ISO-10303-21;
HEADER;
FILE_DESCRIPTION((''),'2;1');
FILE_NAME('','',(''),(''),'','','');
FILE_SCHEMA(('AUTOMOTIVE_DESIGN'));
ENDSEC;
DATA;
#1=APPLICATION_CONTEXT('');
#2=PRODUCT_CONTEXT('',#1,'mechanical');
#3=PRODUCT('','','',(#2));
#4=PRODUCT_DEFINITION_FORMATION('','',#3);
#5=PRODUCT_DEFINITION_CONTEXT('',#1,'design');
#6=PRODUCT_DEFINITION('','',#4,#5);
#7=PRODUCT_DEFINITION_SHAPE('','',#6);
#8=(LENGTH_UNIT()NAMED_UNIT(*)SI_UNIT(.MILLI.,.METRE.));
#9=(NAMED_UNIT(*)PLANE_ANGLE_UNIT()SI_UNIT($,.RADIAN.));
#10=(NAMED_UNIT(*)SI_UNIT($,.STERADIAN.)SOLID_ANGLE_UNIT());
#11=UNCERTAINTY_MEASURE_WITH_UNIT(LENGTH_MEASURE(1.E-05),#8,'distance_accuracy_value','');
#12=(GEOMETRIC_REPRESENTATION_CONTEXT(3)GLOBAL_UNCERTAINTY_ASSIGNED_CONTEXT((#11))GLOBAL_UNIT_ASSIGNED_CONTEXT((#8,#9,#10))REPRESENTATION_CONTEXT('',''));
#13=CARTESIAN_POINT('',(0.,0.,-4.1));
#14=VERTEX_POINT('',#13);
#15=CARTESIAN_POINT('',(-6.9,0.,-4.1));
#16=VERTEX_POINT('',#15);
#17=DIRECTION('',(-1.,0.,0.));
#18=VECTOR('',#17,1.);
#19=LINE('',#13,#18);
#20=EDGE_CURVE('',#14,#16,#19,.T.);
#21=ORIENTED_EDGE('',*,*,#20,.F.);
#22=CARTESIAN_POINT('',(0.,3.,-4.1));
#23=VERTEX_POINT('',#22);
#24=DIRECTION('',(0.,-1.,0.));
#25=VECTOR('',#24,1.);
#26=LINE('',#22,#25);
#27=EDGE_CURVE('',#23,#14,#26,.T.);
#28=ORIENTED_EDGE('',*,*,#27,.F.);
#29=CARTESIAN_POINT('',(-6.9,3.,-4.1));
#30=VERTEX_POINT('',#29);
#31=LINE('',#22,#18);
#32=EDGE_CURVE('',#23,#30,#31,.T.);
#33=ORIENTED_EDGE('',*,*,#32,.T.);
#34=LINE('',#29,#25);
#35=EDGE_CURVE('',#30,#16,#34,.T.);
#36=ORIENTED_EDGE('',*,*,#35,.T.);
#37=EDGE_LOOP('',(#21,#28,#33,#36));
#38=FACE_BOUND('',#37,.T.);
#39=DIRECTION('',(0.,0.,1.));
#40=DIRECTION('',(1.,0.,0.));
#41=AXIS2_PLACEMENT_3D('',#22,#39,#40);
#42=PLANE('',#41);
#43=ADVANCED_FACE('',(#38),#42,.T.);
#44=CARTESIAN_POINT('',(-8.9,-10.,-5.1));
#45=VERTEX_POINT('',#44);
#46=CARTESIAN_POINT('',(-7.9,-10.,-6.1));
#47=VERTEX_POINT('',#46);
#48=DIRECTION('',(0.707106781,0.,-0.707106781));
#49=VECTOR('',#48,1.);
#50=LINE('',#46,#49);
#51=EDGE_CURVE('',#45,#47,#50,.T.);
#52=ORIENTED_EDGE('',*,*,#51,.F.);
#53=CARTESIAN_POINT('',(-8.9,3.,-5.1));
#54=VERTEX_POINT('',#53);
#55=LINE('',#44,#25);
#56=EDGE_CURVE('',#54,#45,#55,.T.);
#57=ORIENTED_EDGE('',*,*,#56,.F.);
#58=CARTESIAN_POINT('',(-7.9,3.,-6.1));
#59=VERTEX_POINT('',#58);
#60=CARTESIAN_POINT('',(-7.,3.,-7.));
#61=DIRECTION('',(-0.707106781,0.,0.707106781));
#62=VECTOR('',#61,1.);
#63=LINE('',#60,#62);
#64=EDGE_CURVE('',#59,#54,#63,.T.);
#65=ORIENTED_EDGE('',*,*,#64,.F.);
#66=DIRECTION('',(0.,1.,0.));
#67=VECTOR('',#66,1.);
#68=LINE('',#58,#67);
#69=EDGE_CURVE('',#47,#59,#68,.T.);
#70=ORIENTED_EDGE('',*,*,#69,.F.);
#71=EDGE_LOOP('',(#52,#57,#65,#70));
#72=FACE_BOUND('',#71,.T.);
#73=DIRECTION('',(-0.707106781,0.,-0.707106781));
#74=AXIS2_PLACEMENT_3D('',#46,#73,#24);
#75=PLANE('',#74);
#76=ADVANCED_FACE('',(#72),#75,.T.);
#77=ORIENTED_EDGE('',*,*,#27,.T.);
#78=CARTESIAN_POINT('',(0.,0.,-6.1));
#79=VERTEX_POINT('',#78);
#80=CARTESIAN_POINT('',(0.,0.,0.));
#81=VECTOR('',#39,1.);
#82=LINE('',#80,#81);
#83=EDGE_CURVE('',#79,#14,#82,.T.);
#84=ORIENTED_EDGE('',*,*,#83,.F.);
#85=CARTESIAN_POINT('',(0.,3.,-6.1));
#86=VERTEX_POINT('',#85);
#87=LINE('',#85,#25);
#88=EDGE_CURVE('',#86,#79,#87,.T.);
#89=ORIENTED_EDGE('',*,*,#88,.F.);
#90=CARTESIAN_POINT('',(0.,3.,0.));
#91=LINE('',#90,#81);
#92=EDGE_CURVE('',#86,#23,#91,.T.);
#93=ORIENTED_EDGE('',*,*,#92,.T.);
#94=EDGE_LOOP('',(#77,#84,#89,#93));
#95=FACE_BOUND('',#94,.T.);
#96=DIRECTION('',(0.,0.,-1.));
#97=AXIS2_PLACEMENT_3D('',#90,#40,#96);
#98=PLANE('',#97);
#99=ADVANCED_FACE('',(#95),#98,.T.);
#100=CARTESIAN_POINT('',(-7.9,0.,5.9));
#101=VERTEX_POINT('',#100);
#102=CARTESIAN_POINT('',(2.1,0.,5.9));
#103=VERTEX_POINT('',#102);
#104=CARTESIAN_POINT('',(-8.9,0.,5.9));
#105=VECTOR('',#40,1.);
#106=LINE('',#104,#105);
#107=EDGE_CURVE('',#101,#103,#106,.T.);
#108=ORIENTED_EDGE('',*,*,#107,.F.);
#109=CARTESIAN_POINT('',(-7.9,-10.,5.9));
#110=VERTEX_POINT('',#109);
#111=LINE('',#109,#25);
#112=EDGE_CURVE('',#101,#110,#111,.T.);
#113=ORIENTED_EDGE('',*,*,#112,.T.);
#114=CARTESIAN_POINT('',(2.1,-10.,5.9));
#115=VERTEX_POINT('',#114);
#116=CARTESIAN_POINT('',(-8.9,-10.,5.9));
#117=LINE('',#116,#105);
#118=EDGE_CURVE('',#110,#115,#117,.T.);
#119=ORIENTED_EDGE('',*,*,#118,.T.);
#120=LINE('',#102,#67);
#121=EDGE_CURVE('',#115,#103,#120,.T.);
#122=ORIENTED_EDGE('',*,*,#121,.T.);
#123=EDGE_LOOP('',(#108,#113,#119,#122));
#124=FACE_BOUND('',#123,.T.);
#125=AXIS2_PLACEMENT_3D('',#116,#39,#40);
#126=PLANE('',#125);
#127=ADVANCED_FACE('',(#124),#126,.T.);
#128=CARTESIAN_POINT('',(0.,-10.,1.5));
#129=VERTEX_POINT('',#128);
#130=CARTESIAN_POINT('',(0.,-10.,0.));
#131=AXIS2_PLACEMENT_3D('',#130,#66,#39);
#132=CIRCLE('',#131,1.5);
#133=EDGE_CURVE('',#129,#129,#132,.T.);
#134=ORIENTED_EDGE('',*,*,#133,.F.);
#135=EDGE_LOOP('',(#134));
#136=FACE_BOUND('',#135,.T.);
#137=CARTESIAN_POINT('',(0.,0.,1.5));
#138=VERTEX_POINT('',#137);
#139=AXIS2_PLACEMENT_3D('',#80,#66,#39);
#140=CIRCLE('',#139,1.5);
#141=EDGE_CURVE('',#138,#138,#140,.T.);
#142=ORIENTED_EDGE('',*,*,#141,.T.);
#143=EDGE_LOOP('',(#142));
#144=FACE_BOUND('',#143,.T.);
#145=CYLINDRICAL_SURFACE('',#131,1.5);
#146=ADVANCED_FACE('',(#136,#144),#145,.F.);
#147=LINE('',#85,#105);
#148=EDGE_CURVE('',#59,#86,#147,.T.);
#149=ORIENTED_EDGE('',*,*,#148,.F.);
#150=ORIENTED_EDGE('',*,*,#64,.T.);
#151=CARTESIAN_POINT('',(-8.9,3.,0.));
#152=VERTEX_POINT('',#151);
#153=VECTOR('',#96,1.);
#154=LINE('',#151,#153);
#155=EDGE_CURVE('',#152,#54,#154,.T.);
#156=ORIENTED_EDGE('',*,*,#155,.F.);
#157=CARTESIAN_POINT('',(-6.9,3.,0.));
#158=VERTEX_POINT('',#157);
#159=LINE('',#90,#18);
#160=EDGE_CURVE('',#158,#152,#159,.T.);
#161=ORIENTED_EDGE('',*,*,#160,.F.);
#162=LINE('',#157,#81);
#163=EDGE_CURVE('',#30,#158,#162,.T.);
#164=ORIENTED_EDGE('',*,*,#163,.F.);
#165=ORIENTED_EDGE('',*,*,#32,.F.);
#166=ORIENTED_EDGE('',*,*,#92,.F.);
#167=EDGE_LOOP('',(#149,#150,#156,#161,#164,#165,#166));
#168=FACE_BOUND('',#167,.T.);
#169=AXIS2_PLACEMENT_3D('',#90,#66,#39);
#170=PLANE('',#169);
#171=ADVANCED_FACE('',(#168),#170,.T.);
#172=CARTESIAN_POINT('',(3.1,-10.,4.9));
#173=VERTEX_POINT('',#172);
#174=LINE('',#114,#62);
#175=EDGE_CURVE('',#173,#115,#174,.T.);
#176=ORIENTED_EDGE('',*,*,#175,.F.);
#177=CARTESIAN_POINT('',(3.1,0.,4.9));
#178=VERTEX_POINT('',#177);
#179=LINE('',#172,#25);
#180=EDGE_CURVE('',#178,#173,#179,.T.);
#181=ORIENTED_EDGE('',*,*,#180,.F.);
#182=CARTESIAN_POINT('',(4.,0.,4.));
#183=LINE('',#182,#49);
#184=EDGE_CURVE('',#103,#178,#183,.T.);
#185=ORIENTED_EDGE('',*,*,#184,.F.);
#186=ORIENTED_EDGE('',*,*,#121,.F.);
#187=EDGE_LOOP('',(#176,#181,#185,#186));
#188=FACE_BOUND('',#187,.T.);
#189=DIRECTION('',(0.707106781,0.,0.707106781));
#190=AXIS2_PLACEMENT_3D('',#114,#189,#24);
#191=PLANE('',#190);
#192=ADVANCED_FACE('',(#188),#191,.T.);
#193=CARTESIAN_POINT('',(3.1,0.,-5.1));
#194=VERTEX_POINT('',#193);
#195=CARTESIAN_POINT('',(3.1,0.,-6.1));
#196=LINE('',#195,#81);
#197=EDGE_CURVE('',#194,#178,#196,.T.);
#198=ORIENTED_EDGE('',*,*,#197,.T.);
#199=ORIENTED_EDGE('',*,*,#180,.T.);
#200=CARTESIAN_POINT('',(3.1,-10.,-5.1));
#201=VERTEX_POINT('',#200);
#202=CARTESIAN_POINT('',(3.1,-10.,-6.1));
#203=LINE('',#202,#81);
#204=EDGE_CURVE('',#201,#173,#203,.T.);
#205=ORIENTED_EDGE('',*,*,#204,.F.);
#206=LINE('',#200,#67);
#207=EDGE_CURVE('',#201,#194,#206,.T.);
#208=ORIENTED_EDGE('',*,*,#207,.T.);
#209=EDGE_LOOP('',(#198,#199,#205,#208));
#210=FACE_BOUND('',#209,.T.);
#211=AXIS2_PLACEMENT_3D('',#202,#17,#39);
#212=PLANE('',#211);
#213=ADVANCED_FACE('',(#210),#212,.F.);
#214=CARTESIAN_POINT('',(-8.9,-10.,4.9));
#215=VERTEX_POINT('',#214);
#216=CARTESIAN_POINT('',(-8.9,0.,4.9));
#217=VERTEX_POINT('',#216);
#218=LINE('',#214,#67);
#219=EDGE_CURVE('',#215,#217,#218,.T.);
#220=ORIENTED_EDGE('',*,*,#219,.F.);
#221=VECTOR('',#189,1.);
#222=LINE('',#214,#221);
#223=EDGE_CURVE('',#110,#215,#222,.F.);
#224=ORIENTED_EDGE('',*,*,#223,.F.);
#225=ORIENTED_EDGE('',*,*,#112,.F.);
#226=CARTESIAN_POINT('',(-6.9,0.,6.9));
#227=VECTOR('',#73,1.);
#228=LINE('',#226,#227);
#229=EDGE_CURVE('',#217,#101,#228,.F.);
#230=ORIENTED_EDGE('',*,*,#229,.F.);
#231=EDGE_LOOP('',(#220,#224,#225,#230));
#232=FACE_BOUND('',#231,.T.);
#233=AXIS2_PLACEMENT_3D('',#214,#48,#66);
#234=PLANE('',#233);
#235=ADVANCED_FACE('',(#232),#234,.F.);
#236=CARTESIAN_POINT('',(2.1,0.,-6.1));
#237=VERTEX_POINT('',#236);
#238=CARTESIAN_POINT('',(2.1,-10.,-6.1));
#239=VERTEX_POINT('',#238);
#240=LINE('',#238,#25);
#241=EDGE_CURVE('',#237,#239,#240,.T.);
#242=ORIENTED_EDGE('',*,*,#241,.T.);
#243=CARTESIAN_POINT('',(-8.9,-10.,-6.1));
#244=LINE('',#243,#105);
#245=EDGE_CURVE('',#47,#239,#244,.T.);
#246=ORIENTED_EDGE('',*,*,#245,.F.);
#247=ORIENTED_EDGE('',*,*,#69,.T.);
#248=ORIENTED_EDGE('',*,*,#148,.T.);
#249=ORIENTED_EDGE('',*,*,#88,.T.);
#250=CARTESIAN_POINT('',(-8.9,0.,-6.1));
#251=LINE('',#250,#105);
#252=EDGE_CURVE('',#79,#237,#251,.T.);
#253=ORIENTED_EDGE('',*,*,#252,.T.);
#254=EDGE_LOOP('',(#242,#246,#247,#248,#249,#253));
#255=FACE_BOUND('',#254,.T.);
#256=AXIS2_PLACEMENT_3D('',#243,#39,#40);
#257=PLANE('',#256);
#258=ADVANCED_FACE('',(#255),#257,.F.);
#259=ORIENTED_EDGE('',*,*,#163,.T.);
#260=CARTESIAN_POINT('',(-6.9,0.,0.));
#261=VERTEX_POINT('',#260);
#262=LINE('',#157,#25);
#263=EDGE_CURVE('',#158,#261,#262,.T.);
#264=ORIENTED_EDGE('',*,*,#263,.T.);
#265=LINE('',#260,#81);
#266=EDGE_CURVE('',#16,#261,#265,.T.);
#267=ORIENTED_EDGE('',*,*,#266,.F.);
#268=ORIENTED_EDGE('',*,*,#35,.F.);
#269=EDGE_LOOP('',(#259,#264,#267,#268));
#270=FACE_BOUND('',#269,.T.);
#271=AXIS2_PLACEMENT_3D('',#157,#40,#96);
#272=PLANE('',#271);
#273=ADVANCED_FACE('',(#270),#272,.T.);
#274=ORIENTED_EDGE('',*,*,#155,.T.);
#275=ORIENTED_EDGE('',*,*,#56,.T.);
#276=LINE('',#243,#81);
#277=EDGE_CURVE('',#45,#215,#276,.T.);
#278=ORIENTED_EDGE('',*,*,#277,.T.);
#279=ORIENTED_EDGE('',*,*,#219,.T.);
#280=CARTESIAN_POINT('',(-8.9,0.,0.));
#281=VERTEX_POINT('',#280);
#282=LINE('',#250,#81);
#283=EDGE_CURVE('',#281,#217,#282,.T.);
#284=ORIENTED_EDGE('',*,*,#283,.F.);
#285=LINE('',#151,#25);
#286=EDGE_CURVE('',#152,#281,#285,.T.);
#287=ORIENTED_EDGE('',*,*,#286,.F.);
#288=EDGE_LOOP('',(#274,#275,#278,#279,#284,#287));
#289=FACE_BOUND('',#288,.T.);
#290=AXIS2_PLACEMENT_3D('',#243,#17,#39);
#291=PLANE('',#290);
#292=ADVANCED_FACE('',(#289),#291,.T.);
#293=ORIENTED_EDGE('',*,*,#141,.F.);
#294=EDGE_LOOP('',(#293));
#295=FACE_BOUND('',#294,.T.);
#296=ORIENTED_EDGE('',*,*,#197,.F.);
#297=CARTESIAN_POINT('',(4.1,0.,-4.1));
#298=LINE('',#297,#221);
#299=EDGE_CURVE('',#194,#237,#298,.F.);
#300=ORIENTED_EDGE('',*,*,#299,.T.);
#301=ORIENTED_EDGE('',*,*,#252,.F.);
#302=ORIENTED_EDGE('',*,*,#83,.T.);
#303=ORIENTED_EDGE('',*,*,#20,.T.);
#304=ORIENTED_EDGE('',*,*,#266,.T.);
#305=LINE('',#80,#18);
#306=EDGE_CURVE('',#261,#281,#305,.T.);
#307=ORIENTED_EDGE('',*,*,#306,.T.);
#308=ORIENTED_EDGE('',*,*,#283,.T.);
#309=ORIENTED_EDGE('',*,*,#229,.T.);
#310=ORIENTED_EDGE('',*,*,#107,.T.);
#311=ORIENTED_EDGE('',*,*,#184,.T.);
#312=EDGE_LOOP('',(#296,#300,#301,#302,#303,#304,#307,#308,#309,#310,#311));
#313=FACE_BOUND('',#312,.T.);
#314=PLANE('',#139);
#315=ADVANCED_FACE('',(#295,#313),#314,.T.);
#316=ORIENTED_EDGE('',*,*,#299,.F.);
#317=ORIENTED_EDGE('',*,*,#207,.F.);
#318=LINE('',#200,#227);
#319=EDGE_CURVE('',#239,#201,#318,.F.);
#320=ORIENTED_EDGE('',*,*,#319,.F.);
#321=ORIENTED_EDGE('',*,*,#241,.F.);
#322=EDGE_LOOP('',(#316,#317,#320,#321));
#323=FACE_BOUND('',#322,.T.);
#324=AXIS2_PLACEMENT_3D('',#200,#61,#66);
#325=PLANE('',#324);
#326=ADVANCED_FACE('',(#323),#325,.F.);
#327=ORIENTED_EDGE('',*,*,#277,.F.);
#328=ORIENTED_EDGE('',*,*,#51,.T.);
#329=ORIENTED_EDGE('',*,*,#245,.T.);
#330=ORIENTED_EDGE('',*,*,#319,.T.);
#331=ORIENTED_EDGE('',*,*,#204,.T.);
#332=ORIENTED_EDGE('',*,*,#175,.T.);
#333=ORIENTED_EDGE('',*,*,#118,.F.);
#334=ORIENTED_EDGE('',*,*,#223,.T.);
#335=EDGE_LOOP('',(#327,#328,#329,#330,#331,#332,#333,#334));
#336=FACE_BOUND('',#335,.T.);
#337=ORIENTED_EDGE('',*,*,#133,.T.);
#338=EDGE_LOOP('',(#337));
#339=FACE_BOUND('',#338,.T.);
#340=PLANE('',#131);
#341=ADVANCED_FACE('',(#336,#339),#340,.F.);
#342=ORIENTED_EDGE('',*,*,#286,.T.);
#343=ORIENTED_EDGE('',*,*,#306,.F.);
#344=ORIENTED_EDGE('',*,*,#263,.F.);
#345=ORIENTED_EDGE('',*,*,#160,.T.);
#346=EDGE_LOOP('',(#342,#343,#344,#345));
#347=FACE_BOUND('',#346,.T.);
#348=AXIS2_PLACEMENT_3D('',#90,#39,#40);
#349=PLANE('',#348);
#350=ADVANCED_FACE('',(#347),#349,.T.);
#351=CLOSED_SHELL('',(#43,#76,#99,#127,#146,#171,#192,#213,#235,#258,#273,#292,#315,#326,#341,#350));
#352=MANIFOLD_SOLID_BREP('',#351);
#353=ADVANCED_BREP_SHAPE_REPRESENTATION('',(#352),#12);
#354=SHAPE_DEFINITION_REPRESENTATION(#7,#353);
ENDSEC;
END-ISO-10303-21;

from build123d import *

# Parameters (mm, degrees)
SKETCH1_W           = 12
SKETCH1_H           = 12
BOSS_EXTRUDE1_DEPTH = 10
BOSS_EXTRUDE2_DEPTH = 3
CHAMFER1_SIZE       = 1
SKETCH1_4_R         = 1.5
CUT_EXTRUDE1_DEPTH  = 15.711220208


with BuildPart() as part:
    # Sketch1 → Boss-Extrude1 (new body)
    with BuildSketch(Plane(origin=(0, 0, 0), x_dir=(1, 0, 0), z_dir=(0, 1, 0))):
        with Locations((-2.9, 0.1)):
            Rectangle(SKETCH1_W, SKETCH1_H)
    extrude(amount=-BOSS_EXTRUDE1_DEPTH)

    # Sketch1<3> → Boss-Extrude2 (add)
    with BuildSketch(Plane(origin=(0, 0, 0), x_dir=(1, 0, 0), z_dir=(0, 1, 0))):
        Polygon((0, 6.1), (0, 4.1), (-6.9, 4.1), (-6.9, 0), (-8.9, 0), (-8.9, 6.1), align=None)
    extrude(amount=BOSS_EXTRUDE2_DEPTH)

    # Chamfer1
    chamfer1_edges = [part.edges().sort_by_distance(p)[0] for p in [
        (-8.9, -3.5, -6.1),
        (3.1, -5, -6.1),
        (3.1, -5, 5.9),
        (-8.9, -5, 5.9),
    ]]
    chamfer(chamfer1_edges, length=CHAMFER1_SIZE)

    # Sketch1<4> → Cut-Extrude1 (cut, through all)
    with BuildSketch(Plane(origin=(0, 0, 0), x_dir=(1, 0, 0), z_dir=(0, 1, 0))):
        with Locations(Location((0, 0, 0), (0, 0, 270))):
            Circle(SKETCH1_4_R)
    extrude(amount=-CUT_EXTRUDE1_DEPTH, mode=Mode.SUBTRACT)


solid = part.part
